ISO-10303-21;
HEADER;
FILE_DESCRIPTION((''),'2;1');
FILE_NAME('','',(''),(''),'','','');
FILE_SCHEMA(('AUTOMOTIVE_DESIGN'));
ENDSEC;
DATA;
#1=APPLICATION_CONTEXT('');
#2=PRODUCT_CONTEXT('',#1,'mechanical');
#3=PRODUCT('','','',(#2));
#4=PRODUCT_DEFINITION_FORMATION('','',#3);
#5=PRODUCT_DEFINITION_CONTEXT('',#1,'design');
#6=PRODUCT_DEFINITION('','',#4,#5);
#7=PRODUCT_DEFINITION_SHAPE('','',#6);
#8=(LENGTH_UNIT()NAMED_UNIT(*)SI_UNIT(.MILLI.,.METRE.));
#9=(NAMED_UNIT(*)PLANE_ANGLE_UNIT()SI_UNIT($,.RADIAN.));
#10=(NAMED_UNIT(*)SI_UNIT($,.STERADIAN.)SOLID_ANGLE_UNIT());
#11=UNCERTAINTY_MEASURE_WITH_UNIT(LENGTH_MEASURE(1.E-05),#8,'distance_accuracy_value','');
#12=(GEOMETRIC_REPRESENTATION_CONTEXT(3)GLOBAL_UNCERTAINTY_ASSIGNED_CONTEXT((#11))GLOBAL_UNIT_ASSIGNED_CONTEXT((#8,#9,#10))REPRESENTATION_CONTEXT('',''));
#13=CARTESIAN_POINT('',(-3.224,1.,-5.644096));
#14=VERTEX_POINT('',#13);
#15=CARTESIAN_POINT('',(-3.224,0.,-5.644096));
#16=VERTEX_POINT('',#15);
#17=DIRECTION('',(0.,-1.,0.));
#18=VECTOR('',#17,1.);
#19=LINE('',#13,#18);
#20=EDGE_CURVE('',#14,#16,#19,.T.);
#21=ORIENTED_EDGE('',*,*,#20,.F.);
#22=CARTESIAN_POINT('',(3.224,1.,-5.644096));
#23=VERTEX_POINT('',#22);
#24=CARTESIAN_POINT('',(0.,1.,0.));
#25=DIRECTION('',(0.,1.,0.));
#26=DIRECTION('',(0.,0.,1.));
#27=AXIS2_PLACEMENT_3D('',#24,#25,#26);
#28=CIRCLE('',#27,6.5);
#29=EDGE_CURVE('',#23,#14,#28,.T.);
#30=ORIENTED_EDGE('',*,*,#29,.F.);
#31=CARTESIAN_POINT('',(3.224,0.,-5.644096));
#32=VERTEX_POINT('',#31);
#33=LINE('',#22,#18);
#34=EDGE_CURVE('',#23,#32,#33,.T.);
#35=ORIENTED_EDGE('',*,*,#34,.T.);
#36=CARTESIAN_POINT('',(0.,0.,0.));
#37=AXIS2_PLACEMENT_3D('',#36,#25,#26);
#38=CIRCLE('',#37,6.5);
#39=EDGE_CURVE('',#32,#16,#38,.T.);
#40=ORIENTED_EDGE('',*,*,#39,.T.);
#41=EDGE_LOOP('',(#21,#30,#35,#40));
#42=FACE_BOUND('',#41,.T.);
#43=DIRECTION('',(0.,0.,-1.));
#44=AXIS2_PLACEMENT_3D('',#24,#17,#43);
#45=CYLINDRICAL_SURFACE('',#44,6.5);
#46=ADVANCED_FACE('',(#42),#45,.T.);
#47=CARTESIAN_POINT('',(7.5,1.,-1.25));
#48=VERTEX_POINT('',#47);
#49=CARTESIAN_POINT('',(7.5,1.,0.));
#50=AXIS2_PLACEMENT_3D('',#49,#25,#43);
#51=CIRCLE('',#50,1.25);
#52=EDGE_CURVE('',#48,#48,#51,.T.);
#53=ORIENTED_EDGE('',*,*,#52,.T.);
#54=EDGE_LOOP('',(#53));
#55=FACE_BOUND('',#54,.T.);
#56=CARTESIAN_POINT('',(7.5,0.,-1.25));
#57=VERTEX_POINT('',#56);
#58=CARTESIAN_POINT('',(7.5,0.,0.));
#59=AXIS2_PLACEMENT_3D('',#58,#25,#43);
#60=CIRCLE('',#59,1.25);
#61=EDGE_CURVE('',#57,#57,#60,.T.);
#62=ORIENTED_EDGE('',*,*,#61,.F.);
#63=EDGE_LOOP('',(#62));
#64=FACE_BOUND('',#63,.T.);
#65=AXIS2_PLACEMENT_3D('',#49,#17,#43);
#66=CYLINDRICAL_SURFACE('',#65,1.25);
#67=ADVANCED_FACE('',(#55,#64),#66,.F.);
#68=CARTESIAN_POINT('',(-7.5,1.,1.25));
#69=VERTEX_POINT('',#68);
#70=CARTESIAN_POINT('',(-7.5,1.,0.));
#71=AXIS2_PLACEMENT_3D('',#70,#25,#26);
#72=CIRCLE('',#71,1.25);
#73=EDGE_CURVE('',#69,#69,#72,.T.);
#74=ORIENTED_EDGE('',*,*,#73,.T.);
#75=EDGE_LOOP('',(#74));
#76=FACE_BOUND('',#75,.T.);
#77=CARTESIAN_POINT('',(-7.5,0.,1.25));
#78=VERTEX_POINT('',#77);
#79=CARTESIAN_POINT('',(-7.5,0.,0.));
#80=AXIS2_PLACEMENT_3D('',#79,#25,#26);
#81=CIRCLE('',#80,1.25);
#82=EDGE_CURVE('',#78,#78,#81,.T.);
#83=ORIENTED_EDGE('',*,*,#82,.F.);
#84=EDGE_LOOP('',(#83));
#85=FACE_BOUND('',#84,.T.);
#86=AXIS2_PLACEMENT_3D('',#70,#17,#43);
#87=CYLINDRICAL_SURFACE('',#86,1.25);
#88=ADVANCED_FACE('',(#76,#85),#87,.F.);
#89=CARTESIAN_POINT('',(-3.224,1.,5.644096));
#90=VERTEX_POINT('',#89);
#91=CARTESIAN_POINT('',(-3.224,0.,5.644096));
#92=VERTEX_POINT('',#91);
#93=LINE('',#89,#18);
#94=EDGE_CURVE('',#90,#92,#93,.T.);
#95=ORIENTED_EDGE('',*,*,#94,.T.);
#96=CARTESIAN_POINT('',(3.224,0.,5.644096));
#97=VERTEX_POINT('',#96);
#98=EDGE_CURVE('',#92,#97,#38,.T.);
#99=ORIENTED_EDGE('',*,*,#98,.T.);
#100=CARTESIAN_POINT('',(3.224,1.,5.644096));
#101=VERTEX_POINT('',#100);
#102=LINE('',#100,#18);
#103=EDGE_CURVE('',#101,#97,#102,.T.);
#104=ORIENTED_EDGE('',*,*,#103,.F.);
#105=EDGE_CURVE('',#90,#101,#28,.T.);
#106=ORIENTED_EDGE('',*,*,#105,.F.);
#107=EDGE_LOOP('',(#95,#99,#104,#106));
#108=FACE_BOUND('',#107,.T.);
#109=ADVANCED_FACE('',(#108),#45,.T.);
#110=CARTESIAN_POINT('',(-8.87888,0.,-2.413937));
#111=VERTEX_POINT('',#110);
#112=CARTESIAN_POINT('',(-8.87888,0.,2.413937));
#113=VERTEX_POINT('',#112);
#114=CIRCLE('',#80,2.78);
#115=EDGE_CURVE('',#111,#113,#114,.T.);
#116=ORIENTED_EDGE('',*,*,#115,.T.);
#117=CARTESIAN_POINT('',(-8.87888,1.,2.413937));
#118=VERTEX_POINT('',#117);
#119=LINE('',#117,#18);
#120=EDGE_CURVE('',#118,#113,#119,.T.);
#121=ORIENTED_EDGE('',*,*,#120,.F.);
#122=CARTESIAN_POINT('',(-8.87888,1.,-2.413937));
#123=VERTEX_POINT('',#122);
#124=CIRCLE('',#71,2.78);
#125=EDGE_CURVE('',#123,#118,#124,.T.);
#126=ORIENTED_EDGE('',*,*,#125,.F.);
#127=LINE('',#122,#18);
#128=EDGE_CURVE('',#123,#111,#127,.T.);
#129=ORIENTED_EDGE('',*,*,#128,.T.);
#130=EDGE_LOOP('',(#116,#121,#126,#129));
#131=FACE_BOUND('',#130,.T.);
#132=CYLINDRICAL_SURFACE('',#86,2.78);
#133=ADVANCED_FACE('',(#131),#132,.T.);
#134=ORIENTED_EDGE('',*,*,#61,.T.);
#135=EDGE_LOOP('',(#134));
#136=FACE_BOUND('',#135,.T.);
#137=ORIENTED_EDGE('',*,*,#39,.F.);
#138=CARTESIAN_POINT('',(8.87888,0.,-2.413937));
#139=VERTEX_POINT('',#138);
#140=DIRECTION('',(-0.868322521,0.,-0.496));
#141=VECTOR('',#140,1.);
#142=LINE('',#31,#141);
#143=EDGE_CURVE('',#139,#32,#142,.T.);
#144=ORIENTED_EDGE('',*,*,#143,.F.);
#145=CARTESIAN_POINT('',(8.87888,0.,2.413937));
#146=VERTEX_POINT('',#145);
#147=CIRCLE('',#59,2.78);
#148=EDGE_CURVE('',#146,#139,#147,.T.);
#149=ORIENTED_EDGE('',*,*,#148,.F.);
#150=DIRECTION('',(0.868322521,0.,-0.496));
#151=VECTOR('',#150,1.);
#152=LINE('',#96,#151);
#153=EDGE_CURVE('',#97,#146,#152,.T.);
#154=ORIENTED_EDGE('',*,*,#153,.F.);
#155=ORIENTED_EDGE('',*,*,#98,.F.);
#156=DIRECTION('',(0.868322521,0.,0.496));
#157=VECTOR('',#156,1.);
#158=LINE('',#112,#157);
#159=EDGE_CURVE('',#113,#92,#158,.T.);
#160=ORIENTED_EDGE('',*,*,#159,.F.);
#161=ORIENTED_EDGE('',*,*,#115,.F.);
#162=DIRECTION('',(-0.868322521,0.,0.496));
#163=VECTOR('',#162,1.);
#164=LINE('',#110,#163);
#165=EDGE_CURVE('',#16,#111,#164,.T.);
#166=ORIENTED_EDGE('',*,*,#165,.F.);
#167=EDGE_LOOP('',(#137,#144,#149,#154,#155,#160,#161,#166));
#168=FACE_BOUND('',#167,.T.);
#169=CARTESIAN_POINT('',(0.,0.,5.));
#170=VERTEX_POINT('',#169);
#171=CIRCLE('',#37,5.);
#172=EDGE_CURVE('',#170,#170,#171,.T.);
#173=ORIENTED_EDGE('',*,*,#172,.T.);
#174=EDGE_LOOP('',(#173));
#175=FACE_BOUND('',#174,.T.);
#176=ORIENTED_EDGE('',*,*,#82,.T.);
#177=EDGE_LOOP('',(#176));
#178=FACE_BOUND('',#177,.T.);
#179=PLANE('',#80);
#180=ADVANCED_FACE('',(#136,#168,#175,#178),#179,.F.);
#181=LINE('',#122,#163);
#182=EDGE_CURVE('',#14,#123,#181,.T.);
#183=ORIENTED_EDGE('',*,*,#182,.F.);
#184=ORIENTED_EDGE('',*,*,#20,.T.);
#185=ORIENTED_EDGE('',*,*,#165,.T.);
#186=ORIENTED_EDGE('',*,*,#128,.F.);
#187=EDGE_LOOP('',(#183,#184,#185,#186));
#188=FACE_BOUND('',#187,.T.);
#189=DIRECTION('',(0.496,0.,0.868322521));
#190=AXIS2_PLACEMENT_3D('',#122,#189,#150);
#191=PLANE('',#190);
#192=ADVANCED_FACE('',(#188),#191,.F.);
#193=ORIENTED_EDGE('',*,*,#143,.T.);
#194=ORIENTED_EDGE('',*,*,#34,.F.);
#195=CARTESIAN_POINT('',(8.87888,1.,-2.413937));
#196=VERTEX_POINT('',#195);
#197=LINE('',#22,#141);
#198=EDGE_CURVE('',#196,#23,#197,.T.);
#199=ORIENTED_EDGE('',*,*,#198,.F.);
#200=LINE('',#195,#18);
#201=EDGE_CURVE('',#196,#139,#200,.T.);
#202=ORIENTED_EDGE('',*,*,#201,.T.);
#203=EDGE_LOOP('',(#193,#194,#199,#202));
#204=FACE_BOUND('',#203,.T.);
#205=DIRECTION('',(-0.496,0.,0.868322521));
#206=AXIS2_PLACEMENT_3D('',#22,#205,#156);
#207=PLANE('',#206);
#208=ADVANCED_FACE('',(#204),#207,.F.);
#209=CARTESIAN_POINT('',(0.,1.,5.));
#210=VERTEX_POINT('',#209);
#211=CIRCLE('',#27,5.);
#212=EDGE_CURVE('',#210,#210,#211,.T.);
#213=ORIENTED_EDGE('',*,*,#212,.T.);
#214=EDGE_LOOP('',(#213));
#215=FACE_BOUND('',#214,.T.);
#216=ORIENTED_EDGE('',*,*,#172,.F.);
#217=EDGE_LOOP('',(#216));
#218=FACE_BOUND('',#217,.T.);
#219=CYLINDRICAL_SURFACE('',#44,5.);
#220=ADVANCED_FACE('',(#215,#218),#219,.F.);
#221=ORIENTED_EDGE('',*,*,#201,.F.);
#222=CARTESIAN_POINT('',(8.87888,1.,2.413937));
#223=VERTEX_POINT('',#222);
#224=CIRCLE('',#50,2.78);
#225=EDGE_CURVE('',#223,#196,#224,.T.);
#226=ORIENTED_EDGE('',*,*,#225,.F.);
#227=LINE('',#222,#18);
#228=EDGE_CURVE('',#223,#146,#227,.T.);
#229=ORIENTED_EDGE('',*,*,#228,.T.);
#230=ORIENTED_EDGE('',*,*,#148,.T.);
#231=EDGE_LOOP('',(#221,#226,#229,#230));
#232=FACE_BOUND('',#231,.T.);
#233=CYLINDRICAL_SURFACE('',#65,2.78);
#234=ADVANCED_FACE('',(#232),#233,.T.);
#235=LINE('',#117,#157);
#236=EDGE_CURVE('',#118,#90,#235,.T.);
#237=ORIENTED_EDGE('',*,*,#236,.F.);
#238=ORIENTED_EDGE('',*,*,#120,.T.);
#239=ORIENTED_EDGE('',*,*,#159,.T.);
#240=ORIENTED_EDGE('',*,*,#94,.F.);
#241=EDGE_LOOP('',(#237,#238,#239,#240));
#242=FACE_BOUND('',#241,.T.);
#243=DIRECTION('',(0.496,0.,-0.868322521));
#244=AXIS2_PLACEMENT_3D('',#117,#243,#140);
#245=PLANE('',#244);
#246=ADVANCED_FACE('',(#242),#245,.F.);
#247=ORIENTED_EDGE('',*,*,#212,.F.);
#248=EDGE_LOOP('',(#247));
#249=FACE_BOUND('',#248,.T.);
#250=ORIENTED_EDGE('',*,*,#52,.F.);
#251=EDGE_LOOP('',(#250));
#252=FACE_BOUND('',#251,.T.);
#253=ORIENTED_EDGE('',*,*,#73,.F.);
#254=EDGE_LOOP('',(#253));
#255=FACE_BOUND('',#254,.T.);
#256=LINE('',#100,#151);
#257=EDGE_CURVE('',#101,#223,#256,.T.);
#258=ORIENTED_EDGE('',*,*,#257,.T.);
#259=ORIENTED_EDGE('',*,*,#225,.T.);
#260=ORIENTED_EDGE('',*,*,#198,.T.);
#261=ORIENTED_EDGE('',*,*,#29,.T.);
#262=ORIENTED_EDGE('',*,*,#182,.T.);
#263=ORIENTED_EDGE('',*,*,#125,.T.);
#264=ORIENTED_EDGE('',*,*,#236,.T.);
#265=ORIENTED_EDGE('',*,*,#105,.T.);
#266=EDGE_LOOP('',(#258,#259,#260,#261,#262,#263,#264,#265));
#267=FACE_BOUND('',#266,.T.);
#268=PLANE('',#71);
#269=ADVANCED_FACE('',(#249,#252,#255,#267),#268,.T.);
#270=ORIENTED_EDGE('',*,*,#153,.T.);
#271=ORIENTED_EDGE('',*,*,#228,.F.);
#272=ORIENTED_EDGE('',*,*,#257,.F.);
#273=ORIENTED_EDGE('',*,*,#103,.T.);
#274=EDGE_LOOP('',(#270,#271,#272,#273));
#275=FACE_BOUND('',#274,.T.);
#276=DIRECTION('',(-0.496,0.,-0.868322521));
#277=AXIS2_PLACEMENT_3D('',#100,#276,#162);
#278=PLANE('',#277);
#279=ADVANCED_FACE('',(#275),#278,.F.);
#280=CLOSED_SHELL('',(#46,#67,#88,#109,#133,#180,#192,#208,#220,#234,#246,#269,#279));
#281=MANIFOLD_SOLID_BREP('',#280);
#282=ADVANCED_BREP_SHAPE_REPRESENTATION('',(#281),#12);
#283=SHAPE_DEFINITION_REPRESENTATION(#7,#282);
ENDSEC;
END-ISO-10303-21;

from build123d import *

# Parameters (mm, degrees)
SKETCH1_R           = 5
SKETCH1_R_2         = 1.25
BOSS_EXTRUDE1_DEPTH = 1


with BuildPart() as part:
    # Sketch1 → Boss-Extrude1 (new body)
    with BuildSketch(Plane(origin=(0, 0, 0), x_dir=(1, 0, 0), z_dir=(0, 1, 0))):
        with BuildLine():
            Line((-8.87888, 2.413936608), (-3.224, 5.644096385))
            ThreePointArc((-3.224, 5.644096385), (0, 6.5), (3.224, 5.644096385))
            Line((3.224, 5.644096385), (8.87888, 2.413936608))
            ThreePointArc((8.87888, 2.413936608), (10.28, 0), (8.87888, -2.413936608))
            Line((8.87888, -2.413936608), (3.224, -5.644096385))
            ThreePointArc((3.224, -5.644096385), (0, -6.5), (-3.224, -5.644096385))
            Line((-3.224, -5.644096385), (-8.87888, -2.413936608))
            ThreePointArc((-8.87888, -2.413936608), (-10.28, 0), (-8.87888, 2.413936608))
        make_face()
        with Locations(Location((0, 0, 0), (0, 0, 270))):
            Circle(SKETCH1_R, mode=Mode.SUBTRACT)
        with Locations(Location((-7.5, 0, 0), (0, 0, 270))):
            Circle(SKETCH1_R_2, mode=Mode.SUBTRACT)
        with Locations(Location((7.5, 0, 0), (0, 0, 90))):
            Circle(SKETCH1_R_2, mode=Mode.SUBTRACT)
    extrude(amount=BOSS_EXTRUDE1_DEPTH)


solid = part.part
